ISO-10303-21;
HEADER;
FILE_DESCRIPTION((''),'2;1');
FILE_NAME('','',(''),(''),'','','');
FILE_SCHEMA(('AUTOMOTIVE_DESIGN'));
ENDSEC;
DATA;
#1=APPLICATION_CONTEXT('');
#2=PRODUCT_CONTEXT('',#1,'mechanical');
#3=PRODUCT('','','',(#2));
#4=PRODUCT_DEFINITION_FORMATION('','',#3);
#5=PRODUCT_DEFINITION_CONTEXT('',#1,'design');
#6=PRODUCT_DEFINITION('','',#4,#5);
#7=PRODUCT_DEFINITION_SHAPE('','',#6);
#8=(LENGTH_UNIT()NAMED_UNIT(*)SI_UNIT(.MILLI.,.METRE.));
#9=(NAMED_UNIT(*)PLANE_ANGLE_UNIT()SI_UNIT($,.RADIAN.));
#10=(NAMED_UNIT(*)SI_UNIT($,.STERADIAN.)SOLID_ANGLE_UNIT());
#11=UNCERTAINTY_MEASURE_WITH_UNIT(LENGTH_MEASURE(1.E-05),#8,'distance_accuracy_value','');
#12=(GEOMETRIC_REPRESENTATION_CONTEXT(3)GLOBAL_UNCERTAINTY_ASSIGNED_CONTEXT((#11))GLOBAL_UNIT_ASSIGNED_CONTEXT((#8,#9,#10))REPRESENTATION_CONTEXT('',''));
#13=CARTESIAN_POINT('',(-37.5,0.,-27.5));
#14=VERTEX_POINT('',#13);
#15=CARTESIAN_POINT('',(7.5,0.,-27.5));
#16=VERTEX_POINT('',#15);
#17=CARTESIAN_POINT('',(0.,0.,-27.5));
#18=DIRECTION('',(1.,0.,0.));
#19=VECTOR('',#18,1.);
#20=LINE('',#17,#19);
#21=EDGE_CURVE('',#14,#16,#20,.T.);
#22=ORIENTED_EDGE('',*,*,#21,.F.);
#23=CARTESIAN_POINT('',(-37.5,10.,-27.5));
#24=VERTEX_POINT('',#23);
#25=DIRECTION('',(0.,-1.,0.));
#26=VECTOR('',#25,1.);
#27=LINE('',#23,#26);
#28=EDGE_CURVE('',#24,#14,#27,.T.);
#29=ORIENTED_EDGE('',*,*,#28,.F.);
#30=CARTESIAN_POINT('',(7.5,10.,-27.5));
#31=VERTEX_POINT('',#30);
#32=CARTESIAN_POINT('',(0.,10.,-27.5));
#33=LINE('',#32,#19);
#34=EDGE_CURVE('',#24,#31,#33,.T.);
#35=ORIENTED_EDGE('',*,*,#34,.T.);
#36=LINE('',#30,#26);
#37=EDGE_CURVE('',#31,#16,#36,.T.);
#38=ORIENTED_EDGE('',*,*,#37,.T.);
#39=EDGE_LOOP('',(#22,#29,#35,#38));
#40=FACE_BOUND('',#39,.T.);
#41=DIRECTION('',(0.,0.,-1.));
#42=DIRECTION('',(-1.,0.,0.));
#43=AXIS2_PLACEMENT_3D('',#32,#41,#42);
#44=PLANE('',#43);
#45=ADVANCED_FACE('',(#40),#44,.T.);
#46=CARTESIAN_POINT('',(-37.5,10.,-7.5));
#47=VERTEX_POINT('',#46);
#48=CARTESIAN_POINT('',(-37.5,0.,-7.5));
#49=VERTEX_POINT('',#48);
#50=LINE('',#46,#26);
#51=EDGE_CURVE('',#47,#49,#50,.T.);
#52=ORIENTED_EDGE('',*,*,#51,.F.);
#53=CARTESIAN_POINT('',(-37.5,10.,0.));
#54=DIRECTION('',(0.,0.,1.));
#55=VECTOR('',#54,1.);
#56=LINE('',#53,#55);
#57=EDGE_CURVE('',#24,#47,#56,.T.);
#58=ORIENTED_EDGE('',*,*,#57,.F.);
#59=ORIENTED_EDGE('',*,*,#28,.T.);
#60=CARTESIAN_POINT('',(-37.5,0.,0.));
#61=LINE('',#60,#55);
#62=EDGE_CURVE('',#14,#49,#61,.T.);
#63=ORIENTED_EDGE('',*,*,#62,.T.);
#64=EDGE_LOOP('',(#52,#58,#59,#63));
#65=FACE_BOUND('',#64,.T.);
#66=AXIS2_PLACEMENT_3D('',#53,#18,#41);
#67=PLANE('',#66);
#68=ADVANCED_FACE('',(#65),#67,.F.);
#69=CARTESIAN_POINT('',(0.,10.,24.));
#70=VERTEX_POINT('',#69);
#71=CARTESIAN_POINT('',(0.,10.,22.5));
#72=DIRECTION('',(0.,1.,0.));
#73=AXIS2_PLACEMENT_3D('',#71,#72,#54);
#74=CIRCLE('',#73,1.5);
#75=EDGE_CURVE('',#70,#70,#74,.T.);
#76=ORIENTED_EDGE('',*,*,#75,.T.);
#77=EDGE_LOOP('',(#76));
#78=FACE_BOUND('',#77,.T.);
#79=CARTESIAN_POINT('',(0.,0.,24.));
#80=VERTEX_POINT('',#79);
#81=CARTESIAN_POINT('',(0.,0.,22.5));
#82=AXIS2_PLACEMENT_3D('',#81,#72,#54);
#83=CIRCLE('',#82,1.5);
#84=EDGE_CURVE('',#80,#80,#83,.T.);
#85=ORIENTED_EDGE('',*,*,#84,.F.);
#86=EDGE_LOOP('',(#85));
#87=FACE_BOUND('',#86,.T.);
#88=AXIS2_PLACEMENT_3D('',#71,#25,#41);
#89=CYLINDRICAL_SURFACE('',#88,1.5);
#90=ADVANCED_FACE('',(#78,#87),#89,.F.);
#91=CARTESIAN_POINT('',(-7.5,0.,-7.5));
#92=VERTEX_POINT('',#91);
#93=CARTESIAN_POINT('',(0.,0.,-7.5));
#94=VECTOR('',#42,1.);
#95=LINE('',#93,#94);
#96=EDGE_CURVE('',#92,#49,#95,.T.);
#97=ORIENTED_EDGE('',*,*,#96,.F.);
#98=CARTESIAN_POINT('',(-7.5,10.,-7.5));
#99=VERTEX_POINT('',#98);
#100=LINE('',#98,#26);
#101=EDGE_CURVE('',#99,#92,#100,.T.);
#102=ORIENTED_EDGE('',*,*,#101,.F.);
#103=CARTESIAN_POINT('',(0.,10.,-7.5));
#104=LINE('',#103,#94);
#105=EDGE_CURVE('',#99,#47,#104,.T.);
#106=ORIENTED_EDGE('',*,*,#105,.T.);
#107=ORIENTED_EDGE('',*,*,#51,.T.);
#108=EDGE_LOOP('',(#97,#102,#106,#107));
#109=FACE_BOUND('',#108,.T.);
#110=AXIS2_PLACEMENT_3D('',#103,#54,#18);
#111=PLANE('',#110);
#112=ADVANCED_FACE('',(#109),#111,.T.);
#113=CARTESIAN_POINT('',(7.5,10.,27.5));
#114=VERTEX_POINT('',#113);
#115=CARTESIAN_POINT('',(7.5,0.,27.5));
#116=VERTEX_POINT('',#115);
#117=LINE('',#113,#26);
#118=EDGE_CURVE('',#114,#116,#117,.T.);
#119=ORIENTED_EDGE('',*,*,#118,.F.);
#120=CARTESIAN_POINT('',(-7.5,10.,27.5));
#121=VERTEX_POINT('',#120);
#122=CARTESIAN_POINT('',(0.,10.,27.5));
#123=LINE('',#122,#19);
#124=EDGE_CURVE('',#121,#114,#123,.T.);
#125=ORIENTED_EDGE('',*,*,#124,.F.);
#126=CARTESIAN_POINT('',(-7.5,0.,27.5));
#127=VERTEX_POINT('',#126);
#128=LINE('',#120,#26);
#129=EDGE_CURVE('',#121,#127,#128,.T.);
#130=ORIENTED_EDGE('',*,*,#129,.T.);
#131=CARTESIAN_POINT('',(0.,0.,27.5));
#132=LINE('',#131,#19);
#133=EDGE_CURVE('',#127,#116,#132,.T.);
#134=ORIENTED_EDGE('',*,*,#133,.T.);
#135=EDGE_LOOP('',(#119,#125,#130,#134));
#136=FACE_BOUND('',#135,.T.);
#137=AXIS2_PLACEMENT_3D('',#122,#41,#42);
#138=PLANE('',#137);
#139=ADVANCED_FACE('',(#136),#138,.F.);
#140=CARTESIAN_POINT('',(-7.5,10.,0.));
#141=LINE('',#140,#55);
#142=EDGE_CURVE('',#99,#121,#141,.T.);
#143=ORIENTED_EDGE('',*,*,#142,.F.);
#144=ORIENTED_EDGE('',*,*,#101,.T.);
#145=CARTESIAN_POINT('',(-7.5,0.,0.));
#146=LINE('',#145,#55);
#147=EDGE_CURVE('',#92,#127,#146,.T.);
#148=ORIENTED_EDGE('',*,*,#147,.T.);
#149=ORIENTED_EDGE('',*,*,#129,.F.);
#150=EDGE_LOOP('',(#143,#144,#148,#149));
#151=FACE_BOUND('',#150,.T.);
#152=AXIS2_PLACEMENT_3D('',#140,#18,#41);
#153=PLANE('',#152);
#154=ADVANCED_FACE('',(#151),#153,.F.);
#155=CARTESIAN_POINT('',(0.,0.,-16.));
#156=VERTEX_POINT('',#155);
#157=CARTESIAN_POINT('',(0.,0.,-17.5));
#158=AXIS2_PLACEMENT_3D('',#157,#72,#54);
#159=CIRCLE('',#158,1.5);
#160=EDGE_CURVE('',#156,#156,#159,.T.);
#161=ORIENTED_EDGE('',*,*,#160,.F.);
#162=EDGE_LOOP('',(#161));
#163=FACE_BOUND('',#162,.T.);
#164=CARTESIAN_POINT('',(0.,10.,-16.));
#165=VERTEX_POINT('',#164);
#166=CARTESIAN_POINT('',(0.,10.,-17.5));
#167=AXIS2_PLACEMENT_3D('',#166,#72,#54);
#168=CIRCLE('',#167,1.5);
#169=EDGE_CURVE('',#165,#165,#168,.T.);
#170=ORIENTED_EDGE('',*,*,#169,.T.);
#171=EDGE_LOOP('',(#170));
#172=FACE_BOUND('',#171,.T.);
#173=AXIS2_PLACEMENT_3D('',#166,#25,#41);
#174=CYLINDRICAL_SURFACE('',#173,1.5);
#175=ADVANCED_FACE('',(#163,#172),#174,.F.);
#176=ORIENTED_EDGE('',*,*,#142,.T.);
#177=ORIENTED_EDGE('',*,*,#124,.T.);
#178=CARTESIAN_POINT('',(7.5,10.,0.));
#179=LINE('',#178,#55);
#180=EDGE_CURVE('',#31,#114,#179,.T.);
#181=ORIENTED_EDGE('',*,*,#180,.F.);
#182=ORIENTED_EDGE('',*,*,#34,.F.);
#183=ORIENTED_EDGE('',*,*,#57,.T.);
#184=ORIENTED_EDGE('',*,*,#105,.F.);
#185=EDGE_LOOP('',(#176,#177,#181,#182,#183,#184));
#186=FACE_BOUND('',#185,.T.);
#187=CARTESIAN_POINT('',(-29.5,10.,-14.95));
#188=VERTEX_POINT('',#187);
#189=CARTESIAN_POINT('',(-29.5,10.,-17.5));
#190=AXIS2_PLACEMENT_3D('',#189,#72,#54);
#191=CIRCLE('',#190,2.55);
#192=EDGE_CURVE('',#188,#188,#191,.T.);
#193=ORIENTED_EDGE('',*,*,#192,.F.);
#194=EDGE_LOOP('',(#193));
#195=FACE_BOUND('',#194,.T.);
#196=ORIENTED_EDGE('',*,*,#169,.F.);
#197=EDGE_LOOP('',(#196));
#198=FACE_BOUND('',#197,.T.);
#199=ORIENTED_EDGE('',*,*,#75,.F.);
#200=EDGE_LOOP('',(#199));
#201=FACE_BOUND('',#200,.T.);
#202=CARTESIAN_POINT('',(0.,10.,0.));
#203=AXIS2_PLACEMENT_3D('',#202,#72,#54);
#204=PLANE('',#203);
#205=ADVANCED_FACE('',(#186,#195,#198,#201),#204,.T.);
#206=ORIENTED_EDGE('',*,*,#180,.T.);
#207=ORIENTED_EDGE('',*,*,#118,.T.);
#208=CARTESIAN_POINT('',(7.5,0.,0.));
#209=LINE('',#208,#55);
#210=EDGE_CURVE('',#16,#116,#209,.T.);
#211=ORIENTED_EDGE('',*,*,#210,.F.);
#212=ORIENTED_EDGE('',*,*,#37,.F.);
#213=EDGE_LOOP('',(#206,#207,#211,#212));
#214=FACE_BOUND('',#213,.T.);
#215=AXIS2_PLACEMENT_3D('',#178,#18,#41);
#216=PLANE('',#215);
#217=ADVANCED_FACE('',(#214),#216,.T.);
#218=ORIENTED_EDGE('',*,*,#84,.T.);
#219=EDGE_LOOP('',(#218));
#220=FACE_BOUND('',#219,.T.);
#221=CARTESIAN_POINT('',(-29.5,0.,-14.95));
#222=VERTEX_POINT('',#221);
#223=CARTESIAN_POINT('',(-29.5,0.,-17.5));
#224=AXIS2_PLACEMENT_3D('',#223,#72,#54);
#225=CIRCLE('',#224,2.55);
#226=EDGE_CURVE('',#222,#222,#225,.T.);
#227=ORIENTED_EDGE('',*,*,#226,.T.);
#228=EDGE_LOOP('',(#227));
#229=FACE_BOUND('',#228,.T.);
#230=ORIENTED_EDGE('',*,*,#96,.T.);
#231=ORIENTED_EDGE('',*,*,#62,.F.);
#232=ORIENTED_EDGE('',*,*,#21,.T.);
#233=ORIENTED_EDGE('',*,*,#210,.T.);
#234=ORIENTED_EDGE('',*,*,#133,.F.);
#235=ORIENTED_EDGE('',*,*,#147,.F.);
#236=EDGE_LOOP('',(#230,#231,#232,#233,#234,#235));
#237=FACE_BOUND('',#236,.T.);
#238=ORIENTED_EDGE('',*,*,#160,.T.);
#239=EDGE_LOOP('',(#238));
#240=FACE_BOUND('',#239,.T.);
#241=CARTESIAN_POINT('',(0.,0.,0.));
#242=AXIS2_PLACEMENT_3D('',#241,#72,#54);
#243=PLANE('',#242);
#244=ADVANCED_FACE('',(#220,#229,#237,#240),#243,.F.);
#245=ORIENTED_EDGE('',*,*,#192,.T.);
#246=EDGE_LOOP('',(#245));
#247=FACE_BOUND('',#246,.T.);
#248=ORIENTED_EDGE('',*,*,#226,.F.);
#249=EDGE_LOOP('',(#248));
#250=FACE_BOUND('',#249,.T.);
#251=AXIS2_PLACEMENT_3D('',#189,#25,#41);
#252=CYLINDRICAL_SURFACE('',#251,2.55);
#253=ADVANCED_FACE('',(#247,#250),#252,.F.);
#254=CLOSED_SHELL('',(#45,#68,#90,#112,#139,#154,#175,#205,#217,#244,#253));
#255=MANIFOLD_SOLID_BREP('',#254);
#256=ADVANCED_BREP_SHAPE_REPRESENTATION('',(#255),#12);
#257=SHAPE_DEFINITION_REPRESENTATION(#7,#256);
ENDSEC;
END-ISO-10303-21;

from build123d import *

# Parameters (mm, degrees)
SKETCH1_W           = 15
SKETCH1_H           = 55
SKETCH1_R           = 1.5
SKETCH1_W_2         = 30
SKETCH1_H_2         = 20
SKETCH1_R_2         = 2.55
BOSS_EXTRUDE1_DEPTH = 10


with BuildPart() as part:
    # Sketch1 → Boss-Extrude1 (new body)
    # profile 1 of 2: a face of its own
    with BuildSketch(Plane(origin=(0, 0, 0), x_dir=(1, 0, 0), z_dir=(0, 1, 0))):
        Rectangle(SKETCH1_W, SKETCH1_H)
        with Locations(Location((0, -22.5, 0), (0, 0, 270))):
            Circle(SKETCH1_R, mode=Mode.SUBTRACT)
        with Locations(Location((0, 17.5, 0), (0, 0, 270))):
            Circle(SKETCH1_R, mode=Mode.SUBTRACT)
    # profile 2 of 2: a face of its own
    with BuildSketch(Plane(origin=(0, 0, 0), x_dir=(1, 0, 0), z_dir=(0, 1, 0))):
        with Locations((-22.5, 17.5)):
            Rectangle(SKETCH1_W_2, SKETCH1_H_2)
        with Locations(Location((-29.5, 17.5, 0), (0, 0, 270))):
            Circle(SKETCH1_R_2, mode=Mode.SUBTRACT)
    extrude(amount=BOSS_EXTRUDE1_DEPTH)


solid = part.part
